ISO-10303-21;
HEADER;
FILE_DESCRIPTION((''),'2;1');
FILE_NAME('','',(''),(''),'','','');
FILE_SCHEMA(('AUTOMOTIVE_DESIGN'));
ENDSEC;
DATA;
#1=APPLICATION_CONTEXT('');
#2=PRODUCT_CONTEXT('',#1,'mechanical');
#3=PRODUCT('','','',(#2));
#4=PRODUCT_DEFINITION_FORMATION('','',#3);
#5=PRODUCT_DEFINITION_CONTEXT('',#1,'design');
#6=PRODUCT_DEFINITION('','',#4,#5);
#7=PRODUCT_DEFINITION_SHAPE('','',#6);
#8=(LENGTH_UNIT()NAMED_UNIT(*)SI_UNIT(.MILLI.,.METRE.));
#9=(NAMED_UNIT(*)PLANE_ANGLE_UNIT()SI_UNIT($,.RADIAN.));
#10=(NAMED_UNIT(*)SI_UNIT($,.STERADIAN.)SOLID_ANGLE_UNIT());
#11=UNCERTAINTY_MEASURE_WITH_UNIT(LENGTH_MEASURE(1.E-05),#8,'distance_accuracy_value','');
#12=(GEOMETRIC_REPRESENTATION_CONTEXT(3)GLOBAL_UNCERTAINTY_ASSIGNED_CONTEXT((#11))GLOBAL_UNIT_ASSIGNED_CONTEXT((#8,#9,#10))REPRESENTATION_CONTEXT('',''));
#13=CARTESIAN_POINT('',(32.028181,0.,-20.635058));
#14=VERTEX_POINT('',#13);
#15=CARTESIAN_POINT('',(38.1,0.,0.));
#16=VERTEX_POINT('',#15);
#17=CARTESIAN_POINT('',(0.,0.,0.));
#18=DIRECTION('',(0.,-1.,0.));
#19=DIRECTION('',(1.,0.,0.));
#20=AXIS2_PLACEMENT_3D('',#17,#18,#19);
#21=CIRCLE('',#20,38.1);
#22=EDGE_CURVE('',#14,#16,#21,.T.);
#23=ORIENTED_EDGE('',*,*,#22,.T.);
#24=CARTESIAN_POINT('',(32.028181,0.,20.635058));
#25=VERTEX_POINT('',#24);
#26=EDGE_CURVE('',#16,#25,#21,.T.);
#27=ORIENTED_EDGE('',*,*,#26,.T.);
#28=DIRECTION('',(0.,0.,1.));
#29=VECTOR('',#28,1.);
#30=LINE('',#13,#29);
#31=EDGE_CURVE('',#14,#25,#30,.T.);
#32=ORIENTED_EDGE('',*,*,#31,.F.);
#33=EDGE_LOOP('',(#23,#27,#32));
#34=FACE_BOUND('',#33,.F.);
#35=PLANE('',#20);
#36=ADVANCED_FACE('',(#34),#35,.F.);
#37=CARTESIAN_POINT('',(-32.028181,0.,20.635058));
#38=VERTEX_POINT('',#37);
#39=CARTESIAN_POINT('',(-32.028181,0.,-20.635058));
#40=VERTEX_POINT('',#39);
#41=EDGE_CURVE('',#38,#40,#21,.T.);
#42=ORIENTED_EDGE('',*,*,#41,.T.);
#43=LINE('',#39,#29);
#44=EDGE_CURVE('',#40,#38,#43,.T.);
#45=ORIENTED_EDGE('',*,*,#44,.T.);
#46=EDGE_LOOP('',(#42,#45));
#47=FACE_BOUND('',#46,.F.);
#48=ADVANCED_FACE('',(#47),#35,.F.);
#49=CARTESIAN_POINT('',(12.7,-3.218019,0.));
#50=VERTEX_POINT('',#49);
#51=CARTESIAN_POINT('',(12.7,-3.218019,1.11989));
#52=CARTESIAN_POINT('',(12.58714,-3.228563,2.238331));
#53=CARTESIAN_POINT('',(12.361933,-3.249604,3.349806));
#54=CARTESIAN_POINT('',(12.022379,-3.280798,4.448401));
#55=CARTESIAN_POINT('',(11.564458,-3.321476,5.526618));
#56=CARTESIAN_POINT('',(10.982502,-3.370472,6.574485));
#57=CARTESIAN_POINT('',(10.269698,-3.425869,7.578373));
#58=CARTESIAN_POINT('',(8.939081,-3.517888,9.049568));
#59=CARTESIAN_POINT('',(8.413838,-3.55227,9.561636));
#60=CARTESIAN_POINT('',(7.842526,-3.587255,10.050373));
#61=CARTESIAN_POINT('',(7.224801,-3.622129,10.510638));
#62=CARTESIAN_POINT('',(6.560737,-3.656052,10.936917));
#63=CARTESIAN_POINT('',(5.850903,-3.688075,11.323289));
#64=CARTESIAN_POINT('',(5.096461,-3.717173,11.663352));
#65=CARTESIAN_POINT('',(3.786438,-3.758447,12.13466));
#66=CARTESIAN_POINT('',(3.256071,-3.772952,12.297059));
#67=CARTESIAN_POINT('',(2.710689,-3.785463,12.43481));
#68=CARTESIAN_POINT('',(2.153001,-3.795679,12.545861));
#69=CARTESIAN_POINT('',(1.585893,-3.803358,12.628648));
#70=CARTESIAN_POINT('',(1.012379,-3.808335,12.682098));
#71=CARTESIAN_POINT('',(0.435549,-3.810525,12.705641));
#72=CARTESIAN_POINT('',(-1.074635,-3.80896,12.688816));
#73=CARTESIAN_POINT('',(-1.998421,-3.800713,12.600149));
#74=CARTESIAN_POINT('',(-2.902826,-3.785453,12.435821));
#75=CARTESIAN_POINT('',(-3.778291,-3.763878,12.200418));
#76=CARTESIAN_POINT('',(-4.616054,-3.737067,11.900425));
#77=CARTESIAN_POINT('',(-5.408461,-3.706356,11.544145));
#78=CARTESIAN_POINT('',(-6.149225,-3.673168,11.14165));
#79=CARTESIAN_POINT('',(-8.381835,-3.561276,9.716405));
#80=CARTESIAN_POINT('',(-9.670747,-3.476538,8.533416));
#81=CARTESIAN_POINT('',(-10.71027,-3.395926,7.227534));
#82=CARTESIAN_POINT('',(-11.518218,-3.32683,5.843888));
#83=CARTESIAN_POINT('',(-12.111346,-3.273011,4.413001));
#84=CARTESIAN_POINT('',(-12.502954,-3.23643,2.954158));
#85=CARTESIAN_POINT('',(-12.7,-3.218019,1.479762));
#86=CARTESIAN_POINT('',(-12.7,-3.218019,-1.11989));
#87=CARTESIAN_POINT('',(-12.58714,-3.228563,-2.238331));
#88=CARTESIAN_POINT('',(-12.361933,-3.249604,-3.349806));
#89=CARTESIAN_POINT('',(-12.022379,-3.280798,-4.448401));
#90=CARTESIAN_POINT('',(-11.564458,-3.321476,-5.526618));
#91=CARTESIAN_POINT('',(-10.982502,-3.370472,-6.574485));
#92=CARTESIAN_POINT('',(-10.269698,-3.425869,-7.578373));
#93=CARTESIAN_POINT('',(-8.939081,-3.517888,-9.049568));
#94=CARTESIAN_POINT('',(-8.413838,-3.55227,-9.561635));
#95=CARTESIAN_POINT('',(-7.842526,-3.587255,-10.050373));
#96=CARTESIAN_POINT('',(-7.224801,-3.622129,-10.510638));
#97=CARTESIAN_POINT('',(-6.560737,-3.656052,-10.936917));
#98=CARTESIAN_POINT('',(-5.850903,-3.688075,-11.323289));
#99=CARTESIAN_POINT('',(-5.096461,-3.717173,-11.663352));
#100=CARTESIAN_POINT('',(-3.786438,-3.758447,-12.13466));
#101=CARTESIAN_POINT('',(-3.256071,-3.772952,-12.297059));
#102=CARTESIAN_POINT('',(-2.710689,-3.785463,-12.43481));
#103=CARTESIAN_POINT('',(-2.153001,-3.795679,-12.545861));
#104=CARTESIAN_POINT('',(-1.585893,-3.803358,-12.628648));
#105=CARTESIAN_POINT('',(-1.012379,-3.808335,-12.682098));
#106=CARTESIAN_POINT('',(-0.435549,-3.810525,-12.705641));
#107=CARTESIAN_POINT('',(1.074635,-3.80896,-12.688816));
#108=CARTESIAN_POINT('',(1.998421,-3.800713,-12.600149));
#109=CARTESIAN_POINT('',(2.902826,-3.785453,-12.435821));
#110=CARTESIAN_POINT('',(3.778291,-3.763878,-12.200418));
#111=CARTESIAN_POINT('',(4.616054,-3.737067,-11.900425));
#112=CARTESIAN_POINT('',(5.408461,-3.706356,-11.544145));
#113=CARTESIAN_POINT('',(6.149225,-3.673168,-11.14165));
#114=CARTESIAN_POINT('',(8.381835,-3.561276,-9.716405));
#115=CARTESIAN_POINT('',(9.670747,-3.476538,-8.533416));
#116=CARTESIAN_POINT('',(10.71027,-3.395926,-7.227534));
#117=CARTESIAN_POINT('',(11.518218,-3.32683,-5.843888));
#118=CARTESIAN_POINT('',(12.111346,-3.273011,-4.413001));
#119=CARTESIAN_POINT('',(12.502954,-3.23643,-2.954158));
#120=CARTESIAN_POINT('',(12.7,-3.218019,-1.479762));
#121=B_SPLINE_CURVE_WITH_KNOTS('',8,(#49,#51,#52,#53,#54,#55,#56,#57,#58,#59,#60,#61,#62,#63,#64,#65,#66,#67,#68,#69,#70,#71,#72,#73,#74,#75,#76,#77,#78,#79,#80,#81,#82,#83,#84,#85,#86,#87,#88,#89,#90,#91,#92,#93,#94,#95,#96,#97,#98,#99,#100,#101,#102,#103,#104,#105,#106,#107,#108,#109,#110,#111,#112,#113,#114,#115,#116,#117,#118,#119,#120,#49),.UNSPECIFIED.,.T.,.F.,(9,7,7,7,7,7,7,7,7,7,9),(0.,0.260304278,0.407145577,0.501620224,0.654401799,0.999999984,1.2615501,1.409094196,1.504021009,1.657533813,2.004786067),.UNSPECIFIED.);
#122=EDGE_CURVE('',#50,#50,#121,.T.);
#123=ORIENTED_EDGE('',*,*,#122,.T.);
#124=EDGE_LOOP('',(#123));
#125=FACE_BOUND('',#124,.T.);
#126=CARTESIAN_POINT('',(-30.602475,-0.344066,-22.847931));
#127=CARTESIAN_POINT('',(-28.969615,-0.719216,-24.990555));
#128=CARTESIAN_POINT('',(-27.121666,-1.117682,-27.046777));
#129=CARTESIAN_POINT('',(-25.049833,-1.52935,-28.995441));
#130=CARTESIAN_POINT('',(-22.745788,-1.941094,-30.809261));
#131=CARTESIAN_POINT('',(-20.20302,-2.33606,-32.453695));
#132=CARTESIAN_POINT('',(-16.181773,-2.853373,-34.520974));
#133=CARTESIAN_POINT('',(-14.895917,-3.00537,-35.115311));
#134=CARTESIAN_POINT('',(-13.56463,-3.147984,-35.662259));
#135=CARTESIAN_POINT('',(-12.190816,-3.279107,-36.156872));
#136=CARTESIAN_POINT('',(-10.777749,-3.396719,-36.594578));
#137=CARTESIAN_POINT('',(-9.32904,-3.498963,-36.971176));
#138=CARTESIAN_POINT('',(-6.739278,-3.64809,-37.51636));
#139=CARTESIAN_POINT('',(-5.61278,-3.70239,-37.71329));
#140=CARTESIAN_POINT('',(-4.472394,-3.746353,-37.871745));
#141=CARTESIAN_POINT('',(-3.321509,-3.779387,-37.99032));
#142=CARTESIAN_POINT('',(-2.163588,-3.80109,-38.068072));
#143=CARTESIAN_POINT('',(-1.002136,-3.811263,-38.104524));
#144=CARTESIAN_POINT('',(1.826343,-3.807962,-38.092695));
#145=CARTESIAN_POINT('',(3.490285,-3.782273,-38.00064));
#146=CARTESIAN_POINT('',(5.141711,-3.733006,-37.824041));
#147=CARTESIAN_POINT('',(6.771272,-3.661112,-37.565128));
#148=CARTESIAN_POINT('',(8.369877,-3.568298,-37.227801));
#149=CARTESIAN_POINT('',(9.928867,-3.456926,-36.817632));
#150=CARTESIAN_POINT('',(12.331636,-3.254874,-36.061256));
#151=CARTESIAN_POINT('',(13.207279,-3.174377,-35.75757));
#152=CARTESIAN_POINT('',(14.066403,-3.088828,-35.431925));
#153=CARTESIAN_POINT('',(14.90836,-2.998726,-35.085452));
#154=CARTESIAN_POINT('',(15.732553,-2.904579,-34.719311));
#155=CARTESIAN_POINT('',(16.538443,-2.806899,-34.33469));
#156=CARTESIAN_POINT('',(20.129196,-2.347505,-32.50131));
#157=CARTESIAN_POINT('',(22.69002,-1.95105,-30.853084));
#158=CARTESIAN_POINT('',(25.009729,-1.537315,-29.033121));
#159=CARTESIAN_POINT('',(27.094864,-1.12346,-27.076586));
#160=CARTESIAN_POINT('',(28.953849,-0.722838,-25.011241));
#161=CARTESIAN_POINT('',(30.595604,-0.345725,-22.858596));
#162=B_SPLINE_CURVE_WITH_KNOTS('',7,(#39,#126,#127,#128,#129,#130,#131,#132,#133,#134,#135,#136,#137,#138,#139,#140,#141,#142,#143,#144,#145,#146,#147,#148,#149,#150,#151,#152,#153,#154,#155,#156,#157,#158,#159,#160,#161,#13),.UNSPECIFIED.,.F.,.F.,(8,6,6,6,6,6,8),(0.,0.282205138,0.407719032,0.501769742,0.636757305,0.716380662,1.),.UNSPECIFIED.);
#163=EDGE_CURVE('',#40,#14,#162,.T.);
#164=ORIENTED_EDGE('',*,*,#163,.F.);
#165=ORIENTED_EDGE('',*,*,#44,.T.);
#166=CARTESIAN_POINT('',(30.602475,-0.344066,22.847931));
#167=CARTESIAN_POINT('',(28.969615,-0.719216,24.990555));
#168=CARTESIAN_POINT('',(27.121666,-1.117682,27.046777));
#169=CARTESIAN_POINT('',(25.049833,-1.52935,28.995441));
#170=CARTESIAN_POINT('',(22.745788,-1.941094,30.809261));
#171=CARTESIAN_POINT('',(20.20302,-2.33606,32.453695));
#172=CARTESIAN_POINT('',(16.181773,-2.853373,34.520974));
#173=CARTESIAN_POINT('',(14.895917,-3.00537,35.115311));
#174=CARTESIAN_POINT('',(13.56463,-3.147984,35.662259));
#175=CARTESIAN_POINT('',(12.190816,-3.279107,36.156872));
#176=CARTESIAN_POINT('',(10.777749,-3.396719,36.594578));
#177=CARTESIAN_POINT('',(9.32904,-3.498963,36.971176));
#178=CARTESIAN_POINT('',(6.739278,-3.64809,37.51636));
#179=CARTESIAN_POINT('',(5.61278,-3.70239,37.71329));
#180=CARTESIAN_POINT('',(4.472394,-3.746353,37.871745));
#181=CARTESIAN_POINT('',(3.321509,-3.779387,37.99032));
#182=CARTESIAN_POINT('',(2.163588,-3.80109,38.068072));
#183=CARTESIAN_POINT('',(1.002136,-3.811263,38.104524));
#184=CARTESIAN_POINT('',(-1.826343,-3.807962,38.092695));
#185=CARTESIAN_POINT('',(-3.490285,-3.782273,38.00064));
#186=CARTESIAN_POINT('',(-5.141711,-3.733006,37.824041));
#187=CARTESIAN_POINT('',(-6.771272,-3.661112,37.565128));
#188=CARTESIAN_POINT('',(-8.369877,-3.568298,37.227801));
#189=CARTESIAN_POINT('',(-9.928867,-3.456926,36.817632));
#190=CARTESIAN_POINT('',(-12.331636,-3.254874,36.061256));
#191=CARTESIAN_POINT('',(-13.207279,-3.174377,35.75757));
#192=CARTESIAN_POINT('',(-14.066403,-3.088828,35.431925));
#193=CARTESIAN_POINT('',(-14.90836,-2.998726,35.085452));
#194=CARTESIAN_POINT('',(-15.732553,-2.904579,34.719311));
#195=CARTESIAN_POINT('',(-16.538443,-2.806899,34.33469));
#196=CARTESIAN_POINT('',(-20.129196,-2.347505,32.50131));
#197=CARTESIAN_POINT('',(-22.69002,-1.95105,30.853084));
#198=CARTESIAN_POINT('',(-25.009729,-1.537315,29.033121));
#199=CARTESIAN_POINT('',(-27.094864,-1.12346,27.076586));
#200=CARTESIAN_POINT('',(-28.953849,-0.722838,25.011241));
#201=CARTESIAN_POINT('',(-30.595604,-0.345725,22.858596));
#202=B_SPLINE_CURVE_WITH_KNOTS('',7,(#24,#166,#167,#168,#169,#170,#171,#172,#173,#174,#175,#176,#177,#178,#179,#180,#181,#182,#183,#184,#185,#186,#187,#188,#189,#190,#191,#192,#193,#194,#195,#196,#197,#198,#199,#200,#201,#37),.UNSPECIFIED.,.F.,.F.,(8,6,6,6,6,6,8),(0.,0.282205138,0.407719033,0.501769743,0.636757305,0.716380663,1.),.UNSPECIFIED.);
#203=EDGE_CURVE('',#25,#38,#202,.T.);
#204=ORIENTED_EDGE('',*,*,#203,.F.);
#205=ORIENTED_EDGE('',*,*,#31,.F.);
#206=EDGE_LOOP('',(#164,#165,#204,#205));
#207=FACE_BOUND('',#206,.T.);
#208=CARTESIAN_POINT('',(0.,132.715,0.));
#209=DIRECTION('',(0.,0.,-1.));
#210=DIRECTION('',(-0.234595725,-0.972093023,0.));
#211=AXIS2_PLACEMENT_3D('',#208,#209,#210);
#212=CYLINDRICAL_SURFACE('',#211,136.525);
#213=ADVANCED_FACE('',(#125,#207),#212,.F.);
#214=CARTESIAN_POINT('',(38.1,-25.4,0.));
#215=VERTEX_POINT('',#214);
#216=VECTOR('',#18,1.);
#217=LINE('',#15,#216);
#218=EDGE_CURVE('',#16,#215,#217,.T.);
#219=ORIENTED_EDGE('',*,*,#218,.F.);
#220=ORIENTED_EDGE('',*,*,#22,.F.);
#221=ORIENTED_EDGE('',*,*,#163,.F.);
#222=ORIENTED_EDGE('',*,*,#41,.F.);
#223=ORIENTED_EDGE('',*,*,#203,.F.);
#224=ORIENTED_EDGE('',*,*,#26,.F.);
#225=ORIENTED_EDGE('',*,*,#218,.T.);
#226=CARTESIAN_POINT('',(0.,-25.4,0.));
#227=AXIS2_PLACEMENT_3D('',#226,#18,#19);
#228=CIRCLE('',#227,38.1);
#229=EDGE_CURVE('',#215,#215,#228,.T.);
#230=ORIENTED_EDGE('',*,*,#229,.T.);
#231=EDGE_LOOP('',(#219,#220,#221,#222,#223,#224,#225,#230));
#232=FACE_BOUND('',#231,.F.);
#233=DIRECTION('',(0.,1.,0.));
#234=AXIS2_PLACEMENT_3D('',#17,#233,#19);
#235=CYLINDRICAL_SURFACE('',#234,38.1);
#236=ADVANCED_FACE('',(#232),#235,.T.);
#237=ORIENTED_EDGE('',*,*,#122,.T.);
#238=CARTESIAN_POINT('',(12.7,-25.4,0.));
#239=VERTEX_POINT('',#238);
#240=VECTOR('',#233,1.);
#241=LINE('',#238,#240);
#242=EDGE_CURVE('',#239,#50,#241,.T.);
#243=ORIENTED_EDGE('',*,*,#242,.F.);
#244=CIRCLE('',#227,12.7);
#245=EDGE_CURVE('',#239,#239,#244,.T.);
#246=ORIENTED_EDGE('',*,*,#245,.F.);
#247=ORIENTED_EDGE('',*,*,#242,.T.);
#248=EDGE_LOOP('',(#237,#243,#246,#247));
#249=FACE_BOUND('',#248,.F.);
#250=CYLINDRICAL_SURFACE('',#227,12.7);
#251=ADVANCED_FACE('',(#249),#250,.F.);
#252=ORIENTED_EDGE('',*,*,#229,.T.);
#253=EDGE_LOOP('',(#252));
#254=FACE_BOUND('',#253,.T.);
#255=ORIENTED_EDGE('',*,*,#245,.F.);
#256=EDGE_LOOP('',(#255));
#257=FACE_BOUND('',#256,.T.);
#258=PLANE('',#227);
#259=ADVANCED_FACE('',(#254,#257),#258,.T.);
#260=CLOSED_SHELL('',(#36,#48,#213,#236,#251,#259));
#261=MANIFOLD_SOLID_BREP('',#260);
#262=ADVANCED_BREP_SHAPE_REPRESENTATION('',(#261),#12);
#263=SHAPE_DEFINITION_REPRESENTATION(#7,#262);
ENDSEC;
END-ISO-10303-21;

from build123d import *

# Parameters (mm, degrees)
F0_R          = 38.1
F1_DEPTH      = 25.4
F2_R          = 12.7
F3_DEPTH      = 25.401
F5_DEPTH      = 38.101
F5_DEPTH_BACK = 38.101


with BuildPart() as f1:
    # F0 (on Front) → F1 (new body)
    with BuildSketch(Plane.XZ):
        Circle(F0_R)
    extrude(amount=F1_DEPTH)

    # F2 (on face) → F3 (cut, through all)
    with BuildSketch(Plane.XZ.offset(25.4)):
        Circle(F2_R)
    extrude(amount=-F3_DEPTH, mode=Mode.SUBTRACT)

    # F4 (on Top) → F5 (cut, two sides)
    with BuildSketch(Plane.XY) as f5_sk:
        with BuildLine():
            Line((32.0281813408, 0), (-32.0281813408, 0))
            ThreePointArc((-32.0281813408, 0), (0, -3.81), (32.0281813408, 0))
        make_face()
    extrude(amount=-F5_DEPTH, mode=Mode.SUBTRACT)
    extrude(f5_sk.sketch, amount=F5_DEPTH_BACK, mode=Mode.SUBTRACT)


solid = f1.part
